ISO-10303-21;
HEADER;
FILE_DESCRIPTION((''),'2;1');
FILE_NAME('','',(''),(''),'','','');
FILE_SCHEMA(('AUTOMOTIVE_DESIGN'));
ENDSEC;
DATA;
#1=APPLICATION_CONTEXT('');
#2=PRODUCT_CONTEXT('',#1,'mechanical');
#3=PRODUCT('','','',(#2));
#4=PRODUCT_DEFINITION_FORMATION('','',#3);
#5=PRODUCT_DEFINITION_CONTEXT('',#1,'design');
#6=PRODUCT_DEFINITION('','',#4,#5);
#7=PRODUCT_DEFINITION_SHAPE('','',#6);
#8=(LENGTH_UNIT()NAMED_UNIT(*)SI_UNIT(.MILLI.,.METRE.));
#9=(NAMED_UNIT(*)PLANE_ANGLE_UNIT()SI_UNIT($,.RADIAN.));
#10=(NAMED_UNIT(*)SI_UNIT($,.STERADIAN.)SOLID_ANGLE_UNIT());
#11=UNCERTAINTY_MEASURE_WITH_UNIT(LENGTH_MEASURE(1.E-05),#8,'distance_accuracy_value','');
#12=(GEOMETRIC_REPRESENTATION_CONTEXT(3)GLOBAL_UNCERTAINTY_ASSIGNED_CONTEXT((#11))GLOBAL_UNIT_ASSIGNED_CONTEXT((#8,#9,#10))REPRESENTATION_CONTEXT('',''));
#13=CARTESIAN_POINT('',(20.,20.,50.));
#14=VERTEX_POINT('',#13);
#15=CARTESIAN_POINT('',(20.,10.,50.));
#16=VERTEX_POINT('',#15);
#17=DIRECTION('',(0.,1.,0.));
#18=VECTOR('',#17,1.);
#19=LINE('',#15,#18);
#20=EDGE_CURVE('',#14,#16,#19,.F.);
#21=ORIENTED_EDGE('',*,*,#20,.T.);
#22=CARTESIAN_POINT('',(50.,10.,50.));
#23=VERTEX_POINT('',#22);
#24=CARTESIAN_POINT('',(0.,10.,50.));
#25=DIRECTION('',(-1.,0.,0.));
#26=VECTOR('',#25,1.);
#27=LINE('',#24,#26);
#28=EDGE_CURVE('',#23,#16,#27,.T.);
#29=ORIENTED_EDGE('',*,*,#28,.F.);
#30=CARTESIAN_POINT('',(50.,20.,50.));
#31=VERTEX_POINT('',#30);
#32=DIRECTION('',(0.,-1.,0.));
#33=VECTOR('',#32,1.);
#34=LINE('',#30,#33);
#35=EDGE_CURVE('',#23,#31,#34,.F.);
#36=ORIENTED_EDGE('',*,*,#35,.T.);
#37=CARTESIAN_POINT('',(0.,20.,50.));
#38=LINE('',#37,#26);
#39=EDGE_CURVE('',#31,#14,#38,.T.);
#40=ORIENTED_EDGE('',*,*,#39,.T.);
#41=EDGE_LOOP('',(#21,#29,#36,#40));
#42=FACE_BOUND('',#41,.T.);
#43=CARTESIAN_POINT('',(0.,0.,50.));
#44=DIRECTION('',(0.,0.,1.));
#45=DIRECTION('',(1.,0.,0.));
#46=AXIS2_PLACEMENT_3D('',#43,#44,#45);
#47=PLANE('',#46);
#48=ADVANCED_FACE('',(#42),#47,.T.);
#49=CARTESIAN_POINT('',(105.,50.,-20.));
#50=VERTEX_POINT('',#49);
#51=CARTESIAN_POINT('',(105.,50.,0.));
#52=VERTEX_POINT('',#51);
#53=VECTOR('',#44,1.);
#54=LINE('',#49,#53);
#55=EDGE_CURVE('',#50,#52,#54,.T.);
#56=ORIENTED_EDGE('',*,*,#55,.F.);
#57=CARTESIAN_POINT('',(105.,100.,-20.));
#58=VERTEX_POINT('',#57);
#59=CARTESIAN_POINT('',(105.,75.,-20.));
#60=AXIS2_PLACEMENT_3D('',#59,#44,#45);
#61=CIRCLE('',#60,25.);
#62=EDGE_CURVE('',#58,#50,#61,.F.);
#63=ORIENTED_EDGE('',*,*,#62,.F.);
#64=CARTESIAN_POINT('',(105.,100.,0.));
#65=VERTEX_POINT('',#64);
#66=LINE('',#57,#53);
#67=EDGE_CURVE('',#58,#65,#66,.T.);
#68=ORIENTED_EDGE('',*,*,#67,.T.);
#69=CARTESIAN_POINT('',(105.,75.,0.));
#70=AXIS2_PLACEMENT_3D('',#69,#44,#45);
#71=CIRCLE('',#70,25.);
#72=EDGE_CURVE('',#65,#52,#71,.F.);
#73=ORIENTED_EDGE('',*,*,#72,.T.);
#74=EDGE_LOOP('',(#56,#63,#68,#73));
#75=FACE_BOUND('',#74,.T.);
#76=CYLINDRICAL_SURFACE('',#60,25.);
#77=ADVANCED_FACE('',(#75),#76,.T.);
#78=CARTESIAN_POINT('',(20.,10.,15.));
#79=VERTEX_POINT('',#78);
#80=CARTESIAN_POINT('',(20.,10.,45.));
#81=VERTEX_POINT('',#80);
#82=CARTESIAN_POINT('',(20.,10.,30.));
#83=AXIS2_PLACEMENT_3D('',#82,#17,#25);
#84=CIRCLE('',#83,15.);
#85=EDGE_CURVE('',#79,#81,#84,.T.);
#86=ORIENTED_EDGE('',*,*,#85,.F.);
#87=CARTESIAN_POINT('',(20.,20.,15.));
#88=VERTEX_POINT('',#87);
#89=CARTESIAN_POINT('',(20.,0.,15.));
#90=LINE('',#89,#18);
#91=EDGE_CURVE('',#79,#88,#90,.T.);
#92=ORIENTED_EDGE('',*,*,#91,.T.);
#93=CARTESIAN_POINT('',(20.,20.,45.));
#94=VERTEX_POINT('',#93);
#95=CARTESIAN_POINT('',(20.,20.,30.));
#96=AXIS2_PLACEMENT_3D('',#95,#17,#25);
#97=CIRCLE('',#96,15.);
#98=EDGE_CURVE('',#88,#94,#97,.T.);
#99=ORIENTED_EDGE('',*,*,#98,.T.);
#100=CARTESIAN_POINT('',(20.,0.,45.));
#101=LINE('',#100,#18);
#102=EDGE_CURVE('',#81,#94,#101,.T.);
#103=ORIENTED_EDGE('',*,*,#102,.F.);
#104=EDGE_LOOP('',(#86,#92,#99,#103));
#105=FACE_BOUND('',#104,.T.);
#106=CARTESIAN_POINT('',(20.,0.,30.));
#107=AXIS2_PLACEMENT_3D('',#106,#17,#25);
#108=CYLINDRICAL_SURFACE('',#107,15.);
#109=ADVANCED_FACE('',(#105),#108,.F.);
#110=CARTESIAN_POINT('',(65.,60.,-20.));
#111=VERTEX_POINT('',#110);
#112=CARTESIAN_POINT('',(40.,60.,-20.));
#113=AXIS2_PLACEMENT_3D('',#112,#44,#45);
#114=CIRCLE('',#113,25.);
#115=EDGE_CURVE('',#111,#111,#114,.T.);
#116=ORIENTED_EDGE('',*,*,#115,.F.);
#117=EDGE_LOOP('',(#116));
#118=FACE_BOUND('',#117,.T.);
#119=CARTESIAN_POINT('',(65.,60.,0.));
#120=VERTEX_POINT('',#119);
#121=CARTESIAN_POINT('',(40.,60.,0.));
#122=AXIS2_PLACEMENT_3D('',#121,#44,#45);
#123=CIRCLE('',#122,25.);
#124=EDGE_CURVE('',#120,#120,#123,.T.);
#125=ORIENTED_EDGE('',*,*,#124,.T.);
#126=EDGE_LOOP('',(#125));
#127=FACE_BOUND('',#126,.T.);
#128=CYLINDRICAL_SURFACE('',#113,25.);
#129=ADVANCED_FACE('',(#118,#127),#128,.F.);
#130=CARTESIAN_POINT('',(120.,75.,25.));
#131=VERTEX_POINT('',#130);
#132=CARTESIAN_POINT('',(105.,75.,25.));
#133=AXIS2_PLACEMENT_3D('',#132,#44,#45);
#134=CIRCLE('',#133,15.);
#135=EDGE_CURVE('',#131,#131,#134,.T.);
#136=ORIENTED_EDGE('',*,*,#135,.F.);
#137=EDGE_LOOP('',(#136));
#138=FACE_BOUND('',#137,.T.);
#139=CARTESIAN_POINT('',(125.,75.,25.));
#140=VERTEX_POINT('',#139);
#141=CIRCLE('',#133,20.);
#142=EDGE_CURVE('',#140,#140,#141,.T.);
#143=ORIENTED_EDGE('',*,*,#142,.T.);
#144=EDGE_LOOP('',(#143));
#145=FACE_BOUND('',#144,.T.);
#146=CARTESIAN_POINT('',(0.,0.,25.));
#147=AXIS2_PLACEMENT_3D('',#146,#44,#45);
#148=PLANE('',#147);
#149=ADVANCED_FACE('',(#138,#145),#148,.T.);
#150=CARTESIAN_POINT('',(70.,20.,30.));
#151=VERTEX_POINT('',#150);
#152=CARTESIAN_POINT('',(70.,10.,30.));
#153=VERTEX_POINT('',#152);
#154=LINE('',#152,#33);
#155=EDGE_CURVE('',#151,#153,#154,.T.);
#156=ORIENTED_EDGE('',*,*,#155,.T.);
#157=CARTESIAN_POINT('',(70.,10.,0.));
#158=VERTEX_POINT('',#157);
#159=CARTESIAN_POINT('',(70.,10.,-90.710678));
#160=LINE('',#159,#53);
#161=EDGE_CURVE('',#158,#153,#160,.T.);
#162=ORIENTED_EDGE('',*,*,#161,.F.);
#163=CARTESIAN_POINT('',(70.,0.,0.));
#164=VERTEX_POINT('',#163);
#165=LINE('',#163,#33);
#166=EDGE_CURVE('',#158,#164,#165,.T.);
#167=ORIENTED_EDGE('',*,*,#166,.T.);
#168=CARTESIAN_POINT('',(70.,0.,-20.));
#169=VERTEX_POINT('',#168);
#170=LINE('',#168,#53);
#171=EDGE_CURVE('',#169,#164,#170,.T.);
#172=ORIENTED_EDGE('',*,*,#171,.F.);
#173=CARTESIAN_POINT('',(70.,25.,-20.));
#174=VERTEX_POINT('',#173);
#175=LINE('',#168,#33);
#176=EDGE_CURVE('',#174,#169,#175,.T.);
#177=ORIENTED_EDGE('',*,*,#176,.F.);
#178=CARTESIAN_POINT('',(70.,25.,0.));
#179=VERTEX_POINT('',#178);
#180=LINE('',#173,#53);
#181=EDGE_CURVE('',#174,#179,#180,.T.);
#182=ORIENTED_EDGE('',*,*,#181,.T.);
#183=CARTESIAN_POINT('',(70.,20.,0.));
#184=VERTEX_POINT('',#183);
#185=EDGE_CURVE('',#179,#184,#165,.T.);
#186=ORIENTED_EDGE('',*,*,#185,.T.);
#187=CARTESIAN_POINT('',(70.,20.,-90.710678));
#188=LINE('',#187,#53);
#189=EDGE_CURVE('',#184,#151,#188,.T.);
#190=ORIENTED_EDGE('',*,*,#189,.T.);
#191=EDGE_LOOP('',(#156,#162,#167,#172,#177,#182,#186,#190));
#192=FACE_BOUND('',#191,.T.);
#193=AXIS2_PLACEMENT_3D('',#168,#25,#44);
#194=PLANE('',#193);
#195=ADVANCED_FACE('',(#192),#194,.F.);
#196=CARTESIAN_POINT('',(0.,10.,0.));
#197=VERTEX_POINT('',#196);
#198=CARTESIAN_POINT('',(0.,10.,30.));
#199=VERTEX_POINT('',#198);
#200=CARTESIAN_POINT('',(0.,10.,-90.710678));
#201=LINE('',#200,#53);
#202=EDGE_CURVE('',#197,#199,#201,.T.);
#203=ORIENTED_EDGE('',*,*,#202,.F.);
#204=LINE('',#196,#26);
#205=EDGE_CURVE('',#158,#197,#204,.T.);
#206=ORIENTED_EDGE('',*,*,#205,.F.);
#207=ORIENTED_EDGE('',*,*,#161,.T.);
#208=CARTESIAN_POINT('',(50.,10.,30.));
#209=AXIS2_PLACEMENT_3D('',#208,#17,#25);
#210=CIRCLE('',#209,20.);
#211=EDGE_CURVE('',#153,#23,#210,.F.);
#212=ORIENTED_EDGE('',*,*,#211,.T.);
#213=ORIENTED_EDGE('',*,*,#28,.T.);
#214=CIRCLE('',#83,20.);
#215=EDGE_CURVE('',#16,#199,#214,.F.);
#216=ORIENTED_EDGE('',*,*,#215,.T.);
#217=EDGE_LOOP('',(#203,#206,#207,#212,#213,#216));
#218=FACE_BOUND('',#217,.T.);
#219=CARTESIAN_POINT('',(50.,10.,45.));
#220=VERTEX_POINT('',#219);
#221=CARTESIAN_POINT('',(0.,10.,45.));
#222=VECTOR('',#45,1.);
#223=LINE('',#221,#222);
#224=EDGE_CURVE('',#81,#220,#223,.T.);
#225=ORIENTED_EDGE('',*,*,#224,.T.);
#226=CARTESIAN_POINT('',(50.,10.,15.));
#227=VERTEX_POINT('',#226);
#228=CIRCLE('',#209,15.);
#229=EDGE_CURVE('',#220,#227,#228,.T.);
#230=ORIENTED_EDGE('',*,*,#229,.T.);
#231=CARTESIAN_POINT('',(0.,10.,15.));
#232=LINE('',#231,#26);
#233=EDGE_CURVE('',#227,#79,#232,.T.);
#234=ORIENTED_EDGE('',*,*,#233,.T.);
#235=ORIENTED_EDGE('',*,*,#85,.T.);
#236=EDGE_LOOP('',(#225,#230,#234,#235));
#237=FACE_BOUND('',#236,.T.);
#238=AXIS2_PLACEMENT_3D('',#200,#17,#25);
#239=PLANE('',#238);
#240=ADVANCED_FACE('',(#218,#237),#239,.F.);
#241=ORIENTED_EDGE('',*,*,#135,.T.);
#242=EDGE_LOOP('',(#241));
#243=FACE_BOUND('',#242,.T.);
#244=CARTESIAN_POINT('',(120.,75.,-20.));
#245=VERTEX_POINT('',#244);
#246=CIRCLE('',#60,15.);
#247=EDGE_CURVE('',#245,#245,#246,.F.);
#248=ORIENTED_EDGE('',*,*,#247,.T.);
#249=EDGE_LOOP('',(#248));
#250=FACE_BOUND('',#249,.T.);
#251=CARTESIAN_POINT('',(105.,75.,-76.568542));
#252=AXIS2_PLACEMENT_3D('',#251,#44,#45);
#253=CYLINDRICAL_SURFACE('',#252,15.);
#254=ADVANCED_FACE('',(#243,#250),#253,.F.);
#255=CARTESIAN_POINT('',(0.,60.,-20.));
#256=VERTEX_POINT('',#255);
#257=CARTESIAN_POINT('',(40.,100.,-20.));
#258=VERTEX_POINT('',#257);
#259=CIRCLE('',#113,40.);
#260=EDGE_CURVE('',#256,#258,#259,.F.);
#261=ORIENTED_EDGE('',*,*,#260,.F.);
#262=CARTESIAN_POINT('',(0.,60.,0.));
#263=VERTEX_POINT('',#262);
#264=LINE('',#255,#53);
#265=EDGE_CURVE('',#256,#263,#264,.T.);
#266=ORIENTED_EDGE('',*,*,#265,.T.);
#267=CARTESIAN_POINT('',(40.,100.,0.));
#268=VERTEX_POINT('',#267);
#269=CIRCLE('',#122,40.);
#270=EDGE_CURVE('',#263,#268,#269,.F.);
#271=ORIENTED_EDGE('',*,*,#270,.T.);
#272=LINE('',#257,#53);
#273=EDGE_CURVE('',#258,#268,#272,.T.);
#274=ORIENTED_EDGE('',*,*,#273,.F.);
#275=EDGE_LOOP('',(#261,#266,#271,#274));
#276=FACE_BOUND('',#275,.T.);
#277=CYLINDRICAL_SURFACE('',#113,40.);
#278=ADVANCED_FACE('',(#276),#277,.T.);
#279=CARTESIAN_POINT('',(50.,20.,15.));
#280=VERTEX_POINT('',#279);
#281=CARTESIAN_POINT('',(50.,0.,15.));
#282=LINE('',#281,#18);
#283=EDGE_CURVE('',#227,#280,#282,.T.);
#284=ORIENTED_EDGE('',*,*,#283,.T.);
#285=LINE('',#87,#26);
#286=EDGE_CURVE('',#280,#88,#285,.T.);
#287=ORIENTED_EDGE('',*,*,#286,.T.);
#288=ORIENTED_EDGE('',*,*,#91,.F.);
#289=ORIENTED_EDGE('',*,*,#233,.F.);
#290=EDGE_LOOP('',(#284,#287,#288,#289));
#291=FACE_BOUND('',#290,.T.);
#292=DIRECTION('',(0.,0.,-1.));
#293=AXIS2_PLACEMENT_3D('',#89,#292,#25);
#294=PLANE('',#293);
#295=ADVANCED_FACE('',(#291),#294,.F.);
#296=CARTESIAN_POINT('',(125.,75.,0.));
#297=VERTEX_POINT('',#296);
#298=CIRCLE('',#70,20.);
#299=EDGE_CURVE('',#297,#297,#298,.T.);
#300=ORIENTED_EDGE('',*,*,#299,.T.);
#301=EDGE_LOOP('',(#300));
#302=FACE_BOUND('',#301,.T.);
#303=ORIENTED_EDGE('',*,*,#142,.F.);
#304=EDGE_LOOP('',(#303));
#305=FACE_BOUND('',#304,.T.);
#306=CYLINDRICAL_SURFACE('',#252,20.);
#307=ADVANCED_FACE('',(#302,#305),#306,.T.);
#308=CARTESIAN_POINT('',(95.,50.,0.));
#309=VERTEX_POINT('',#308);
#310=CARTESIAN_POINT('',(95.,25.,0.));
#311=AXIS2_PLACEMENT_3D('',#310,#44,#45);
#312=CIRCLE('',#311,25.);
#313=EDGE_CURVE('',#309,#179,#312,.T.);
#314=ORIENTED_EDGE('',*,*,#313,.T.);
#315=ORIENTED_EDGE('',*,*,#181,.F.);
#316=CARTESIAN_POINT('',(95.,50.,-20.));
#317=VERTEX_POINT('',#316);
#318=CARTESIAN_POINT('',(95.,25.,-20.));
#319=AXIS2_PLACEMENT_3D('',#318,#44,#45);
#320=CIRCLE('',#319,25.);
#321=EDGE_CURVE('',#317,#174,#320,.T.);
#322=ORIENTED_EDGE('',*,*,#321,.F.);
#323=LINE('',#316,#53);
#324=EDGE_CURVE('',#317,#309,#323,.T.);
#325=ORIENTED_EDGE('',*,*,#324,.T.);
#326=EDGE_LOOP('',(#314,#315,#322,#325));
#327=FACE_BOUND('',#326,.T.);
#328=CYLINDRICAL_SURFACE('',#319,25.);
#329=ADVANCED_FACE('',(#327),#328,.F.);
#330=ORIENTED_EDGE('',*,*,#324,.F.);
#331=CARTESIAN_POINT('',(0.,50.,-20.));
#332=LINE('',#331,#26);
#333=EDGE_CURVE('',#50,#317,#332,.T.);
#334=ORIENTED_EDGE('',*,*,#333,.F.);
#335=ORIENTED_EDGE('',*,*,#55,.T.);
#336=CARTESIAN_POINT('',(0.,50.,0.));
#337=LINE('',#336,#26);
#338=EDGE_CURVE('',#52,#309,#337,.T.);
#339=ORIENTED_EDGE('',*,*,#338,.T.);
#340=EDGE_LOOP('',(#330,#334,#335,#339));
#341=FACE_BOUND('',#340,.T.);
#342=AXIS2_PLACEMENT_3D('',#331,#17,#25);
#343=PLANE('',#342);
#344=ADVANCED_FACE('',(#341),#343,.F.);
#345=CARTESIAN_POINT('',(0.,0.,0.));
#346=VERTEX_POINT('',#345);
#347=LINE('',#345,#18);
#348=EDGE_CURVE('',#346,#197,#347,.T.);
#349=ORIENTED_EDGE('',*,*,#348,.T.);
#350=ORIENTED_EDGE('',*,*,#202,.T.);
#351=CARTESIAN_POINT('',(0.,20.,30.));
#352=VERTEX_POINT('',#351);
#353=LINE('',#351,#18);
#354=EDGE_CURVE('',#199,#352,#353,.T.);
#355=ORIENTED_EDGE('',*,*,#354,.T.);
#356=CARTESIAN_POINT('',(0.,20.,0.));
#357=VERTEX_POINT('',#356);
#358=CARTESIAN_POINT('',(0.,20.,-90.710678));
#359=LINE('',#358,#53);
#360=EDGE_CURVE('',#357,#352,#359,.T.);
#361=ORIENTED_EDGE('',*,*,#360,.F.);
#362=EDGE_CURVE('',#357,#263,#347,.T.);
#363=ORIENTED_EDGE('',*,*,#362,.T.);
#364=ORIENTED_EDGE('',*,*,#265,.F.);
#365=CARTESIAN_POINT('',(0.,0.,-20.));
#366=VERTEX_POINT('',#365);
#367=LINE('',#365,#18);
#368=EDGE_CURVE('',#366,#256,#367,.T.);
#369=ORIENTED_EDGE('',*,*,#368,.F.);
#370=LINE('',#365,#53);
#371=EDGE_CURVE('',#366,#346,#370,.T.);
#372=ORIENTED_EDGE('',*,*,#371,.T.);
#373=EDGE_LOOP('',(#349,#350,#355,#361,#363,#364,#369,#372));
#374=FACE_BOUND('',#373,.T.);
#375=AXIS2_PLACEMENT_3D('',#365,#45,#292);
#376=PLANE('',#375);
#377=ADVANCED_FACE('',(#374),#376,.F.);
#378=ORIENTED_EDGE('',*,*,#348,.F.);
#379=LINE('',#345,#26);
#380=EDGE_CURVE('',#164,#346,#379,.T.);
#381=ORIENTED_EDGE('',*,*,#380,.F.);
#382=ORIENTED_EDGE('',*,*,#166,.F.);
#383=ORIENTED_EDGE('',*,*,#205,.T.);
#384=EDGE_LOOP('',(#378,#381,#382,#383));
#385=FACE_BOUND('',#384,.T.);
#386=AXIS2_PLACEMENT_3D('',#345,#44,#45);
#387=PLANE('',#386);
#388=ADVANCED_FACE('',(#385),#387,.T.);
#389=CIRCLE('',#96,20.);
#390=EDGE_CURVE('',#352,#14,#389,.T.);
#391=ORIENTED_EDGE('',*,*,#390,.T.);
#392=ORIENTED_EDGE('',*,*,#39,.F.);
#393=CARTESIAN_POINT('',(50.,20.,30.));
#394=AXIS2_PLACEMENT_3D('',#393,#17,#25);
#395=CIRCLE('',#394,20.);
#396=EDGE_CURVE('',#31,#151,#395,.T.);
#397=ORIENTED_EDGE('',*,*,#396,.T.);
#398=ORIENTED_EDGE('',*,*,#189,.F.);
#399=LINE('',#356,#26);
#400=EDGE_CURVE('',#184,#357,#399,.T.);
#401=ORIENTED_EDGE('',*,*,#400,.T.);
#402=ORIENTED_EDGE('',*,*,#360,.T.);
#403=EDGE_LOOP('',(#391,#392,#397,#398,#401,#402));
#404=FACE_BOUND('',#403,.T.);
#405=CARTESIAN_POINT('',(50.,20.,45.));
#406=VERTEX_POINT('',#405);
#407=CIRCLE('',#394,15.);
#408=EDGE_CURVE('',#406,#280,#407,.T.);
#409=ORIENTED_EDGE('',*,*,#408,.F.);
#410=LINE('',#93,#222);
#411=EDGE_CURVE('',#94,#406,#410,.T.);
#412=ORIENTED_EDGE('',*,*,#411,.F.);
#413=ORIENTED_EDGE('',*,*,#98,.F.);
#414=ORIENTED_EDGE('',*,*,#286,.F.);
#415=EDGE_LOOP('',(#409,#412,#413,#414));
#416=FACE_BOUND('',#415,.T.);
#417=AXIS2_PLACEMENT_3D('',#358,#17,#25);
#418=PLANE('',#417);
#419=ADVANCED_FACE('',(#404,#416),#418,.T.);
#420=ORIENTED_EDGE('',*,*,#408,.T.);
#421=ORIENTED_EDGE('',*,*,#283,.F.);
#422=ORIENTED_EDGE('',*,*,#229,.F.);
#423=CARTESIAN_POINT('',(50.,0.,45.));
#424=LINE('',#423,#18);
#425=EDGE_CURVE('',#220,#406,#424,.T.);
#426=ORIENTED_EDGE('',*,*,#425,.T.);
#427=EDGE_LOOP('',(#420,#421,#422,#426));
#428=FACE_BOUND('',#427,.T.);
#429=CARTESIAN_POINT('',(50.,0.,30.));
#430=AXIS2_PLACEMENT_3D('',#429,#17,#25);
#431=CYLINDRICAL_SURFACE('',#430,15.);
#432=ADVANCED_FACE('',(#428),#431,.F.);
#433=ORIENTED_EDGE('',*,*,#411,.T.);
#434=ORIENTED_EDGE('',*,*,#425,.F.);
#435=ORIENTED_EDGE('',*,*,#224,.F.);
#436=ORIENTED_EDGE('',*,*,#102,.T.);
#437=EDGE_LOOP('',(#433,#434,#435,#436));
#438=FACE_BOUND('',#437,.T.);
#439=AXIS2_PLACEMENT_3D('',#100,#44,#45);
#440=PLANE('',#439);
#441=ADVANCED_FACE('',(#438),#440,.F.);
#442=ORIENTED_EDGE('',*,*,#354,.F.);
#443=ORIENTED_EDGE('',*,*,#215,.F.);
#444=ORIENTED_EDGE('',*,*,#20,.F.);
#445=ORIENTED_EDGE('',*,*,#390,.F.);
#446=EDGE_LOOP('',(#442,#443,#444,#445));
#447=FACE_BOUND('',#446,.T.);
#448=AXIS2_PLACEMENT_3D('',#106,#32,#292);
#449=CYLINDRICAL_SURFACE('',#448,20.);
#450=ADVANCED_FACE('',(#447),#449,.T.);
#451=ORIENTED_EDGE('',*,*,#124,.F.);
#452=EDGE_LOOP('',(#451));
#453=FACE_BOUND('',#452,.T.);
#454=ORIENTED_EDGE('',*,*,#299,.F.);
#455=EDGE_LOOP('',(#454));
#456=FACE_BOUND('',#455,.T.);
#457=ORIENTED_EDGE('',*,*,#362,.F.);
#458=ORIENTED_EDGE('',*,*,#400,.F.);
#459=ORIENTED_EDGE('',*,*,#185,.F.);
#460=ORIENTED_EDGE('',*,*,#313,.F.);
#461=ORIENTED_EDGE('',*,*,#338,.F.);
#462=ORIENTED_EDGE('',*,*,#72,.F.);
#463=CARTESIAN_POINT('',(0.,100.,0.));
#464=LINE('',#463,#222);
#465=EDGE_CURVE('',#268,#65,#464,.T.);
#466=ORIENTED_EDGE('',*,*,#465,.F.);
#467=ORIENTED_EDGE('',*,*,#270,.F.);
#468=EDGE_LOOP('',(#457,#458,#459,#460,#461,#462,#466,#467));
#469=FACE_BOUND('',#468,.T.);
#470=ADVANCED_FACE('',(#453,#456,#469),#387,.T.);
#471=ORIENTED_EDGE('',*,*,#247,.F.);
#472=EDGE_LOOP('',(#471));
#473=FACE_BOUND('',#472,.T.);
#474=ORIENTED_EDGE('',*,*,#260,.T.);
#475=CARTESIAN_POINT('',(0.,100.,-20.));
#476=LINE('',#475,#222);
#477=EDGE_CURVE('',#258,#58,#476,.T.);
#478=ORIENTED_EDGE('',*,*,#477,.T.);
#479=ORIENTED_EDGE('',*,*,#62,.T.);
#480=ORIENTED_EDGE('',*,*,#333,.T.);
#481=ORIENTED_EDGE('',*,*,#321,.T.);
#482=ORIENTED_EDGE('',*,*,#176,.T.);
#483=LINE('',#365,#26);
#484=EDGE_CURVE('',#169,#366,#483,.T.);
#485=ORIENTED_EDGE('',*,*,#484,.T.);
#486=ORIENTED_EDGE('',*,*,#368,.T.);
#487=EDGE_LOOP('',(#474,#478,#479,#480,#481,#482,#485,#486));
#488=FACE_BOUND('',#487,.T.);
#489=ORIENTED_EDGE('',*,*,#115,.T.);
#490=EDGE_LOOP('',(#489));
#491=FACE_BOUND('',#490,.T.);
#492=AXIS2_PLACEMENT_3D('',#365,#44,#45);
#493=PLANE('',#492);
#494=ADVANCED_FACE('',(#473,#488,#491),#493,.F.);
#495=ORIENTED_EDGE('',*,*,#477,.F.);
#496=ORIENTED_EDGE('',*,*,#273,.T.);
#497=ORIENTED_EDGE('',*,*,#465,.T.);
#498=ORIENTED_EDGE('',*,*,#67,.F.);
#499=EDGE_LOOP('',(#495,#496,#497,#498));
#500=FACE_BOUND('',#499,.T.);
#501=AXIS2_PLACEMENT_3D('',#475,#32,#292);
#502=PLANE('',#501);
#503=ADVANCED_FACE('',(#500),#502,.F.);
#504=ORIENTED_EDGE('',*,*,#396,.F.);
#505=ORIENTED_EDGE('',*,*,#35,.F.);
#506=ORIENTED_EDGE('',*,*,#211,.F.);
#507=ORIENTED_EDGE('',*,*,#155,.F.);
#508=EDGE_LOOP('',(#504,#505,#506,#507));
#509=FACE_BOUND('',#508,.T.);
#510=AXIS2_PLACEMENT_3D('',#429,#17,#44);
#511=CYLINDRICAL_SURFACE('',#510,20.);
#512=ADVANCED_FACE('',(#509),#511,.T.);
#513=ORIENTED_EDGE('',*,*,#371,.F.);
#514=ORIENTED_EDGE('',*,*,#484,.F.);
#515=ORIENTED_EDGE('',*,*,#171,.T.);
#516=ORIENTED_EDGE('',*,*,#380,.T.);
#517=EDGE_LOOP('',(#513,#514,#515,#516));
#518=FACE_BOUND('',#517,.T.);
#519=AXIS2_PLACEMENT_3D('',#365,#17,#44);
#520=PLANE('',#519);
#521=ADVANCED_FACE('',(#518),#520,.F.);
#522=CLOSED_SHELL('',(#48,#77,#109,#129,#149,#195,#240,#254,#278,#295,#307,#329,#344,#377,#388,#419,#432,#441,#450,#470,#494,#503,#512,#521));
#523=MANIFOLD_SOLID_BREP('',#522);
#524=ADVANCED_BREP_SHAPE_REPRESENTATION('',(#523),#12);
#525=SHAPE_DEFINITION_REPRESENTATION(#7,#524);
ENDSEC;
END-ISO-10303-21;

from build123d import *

# Parameters (mm, degrees)
SKETCH1_R                = 25
SKETCH1_R_2              = 20
BOSS_EXTRUDE1_DEPTH      = 20
SKETCH1_W                = 70
SKETCH1_H                = 10
BOSS_EXTRUDE1_2_DEPTH    = 20
BOSS_EXTRUDE2_DEPTH      = 50
BOSS_EXTRUDE2_DEPTH_BACK = 20
SKETCH1_4_W              = 70
SKETCH1_4_H              = 10
BOSS_EXTRUDE3_DEPTH      = 25
BOSS_EXTRUDE3_DEPTH_BACK = 20
SKETCH1_5_R              = 20
SKETCH1_5_R_2            = 15
FILLET1_R                = 20
CUT_EXTRUDE1_DEPTH       = 161.623784042


with BuildPart() as part:
    # Sketch1 → Boss-Extrude1 (new body)
    with BuildSketch(Plane.XY):
        with BuildLine():
            Line((0, 60), (0, 20))
            Line((0, 20), (70, 20))
            Line((70, 20), (70, 25))
            ThreePointArc((70, 25), (77.32233047, 42.67766953), (95, 50))
            Line((95, 50), (105, 50))
            ThreePointArc((105, 50), (130, 75), (105, 100))
            Line((105, 100), (40, 100))
            ThreePointArc((40, 100), (11.715728753, 88.284271247), (0, 60))
        make_face()
        with Locations((40, 60)):
            Circle(SKETCH1_R, mode=Mode.SUBTRACT)
        with Locations((105, 75)):
            Circle(SKETCH1_R_2, mode=Mode.SUBTRACT)
    extrude(amount=-BOSS_EXTRUDE1_DEPTH)



with BuildPart() as body_2:
    # Sketch1 → Boss-Extrude1 2 (new body)
    with BuildSketch(Plane.XY):
        with Locations((35, 5)):
            Rectangle(SKETCH1_W, SKETCH1_H)
    extrude(amount=-BOSS_EXTRUDE1_2_DEPTH)


with BuildPart() as part_1:
    add(part.part)

    add(body_2.part)  # Boss-Extrude2 merges body 2
    # Sketch1<4> → Boss-Extrude2 (add, two sides: drawn at the far end of the back side and taken through both)
    with BuildSketch(Plane.XY.offset(-BOSS_EXTRUDE2_DEPTH_BACK)):
        with Locations((35, 15)):
            Rectangle(SKETCH1_4_W, SKETCH1_4_H)
    extrude(amount=BOSS_EXTRUDE2_DEPTH + BOSS_EXTRUDE2_DEPTH_BACK)

    # Sketch1<5> → Boss-Extrude3 (add, two sides: drawn at the far end of the back side and taken through both)
    with BuildSketch(Plane.XY.offset(-BOSS_EXTRUDE3_DEPTH_BACK)):
        with Locations((105, 75)):
            Circle(SKETCH1_5_R)
        with Locations((105, 75)):
            Circle(SKETCH1_5_R_2, mode=Mode.SUBTRACT)
    extrude(amount=BOSS_EXTRUDE3_DEPTH + BOSS_EXTRUDE3_DEPTH_BACK)

    # Fillet1
    fillet1_edges = [part_1.edges().sort_by_distance(p)[0] for p in [
        (70, 15, 50),
        (0, 15, 50),
    ]]
    fillet(fillet1_edges, radius=FILLET1_R)

    # Sketch2 → Cut-Extrude1 (cut, through all)
    with BuildSketch(Plane(origin=(0, 20, 0), x_dir=(1, 0, 0), z_dir=(0, 1, 0))):
        with BuildLine():
            Line((20, -15), (50, -15))
            ThreePointArc((50, -15), (65, -30), (50, -45))
            Line((50, -45), (20, -45))
            ThreePointArc((20, -45), (5, -30), (20, -15))
        make_face()
    extrude(amount=-CUT_EXTRUDE1_DEPTH, mode=Mode.SUBTRACT)


solid = part_1.part
